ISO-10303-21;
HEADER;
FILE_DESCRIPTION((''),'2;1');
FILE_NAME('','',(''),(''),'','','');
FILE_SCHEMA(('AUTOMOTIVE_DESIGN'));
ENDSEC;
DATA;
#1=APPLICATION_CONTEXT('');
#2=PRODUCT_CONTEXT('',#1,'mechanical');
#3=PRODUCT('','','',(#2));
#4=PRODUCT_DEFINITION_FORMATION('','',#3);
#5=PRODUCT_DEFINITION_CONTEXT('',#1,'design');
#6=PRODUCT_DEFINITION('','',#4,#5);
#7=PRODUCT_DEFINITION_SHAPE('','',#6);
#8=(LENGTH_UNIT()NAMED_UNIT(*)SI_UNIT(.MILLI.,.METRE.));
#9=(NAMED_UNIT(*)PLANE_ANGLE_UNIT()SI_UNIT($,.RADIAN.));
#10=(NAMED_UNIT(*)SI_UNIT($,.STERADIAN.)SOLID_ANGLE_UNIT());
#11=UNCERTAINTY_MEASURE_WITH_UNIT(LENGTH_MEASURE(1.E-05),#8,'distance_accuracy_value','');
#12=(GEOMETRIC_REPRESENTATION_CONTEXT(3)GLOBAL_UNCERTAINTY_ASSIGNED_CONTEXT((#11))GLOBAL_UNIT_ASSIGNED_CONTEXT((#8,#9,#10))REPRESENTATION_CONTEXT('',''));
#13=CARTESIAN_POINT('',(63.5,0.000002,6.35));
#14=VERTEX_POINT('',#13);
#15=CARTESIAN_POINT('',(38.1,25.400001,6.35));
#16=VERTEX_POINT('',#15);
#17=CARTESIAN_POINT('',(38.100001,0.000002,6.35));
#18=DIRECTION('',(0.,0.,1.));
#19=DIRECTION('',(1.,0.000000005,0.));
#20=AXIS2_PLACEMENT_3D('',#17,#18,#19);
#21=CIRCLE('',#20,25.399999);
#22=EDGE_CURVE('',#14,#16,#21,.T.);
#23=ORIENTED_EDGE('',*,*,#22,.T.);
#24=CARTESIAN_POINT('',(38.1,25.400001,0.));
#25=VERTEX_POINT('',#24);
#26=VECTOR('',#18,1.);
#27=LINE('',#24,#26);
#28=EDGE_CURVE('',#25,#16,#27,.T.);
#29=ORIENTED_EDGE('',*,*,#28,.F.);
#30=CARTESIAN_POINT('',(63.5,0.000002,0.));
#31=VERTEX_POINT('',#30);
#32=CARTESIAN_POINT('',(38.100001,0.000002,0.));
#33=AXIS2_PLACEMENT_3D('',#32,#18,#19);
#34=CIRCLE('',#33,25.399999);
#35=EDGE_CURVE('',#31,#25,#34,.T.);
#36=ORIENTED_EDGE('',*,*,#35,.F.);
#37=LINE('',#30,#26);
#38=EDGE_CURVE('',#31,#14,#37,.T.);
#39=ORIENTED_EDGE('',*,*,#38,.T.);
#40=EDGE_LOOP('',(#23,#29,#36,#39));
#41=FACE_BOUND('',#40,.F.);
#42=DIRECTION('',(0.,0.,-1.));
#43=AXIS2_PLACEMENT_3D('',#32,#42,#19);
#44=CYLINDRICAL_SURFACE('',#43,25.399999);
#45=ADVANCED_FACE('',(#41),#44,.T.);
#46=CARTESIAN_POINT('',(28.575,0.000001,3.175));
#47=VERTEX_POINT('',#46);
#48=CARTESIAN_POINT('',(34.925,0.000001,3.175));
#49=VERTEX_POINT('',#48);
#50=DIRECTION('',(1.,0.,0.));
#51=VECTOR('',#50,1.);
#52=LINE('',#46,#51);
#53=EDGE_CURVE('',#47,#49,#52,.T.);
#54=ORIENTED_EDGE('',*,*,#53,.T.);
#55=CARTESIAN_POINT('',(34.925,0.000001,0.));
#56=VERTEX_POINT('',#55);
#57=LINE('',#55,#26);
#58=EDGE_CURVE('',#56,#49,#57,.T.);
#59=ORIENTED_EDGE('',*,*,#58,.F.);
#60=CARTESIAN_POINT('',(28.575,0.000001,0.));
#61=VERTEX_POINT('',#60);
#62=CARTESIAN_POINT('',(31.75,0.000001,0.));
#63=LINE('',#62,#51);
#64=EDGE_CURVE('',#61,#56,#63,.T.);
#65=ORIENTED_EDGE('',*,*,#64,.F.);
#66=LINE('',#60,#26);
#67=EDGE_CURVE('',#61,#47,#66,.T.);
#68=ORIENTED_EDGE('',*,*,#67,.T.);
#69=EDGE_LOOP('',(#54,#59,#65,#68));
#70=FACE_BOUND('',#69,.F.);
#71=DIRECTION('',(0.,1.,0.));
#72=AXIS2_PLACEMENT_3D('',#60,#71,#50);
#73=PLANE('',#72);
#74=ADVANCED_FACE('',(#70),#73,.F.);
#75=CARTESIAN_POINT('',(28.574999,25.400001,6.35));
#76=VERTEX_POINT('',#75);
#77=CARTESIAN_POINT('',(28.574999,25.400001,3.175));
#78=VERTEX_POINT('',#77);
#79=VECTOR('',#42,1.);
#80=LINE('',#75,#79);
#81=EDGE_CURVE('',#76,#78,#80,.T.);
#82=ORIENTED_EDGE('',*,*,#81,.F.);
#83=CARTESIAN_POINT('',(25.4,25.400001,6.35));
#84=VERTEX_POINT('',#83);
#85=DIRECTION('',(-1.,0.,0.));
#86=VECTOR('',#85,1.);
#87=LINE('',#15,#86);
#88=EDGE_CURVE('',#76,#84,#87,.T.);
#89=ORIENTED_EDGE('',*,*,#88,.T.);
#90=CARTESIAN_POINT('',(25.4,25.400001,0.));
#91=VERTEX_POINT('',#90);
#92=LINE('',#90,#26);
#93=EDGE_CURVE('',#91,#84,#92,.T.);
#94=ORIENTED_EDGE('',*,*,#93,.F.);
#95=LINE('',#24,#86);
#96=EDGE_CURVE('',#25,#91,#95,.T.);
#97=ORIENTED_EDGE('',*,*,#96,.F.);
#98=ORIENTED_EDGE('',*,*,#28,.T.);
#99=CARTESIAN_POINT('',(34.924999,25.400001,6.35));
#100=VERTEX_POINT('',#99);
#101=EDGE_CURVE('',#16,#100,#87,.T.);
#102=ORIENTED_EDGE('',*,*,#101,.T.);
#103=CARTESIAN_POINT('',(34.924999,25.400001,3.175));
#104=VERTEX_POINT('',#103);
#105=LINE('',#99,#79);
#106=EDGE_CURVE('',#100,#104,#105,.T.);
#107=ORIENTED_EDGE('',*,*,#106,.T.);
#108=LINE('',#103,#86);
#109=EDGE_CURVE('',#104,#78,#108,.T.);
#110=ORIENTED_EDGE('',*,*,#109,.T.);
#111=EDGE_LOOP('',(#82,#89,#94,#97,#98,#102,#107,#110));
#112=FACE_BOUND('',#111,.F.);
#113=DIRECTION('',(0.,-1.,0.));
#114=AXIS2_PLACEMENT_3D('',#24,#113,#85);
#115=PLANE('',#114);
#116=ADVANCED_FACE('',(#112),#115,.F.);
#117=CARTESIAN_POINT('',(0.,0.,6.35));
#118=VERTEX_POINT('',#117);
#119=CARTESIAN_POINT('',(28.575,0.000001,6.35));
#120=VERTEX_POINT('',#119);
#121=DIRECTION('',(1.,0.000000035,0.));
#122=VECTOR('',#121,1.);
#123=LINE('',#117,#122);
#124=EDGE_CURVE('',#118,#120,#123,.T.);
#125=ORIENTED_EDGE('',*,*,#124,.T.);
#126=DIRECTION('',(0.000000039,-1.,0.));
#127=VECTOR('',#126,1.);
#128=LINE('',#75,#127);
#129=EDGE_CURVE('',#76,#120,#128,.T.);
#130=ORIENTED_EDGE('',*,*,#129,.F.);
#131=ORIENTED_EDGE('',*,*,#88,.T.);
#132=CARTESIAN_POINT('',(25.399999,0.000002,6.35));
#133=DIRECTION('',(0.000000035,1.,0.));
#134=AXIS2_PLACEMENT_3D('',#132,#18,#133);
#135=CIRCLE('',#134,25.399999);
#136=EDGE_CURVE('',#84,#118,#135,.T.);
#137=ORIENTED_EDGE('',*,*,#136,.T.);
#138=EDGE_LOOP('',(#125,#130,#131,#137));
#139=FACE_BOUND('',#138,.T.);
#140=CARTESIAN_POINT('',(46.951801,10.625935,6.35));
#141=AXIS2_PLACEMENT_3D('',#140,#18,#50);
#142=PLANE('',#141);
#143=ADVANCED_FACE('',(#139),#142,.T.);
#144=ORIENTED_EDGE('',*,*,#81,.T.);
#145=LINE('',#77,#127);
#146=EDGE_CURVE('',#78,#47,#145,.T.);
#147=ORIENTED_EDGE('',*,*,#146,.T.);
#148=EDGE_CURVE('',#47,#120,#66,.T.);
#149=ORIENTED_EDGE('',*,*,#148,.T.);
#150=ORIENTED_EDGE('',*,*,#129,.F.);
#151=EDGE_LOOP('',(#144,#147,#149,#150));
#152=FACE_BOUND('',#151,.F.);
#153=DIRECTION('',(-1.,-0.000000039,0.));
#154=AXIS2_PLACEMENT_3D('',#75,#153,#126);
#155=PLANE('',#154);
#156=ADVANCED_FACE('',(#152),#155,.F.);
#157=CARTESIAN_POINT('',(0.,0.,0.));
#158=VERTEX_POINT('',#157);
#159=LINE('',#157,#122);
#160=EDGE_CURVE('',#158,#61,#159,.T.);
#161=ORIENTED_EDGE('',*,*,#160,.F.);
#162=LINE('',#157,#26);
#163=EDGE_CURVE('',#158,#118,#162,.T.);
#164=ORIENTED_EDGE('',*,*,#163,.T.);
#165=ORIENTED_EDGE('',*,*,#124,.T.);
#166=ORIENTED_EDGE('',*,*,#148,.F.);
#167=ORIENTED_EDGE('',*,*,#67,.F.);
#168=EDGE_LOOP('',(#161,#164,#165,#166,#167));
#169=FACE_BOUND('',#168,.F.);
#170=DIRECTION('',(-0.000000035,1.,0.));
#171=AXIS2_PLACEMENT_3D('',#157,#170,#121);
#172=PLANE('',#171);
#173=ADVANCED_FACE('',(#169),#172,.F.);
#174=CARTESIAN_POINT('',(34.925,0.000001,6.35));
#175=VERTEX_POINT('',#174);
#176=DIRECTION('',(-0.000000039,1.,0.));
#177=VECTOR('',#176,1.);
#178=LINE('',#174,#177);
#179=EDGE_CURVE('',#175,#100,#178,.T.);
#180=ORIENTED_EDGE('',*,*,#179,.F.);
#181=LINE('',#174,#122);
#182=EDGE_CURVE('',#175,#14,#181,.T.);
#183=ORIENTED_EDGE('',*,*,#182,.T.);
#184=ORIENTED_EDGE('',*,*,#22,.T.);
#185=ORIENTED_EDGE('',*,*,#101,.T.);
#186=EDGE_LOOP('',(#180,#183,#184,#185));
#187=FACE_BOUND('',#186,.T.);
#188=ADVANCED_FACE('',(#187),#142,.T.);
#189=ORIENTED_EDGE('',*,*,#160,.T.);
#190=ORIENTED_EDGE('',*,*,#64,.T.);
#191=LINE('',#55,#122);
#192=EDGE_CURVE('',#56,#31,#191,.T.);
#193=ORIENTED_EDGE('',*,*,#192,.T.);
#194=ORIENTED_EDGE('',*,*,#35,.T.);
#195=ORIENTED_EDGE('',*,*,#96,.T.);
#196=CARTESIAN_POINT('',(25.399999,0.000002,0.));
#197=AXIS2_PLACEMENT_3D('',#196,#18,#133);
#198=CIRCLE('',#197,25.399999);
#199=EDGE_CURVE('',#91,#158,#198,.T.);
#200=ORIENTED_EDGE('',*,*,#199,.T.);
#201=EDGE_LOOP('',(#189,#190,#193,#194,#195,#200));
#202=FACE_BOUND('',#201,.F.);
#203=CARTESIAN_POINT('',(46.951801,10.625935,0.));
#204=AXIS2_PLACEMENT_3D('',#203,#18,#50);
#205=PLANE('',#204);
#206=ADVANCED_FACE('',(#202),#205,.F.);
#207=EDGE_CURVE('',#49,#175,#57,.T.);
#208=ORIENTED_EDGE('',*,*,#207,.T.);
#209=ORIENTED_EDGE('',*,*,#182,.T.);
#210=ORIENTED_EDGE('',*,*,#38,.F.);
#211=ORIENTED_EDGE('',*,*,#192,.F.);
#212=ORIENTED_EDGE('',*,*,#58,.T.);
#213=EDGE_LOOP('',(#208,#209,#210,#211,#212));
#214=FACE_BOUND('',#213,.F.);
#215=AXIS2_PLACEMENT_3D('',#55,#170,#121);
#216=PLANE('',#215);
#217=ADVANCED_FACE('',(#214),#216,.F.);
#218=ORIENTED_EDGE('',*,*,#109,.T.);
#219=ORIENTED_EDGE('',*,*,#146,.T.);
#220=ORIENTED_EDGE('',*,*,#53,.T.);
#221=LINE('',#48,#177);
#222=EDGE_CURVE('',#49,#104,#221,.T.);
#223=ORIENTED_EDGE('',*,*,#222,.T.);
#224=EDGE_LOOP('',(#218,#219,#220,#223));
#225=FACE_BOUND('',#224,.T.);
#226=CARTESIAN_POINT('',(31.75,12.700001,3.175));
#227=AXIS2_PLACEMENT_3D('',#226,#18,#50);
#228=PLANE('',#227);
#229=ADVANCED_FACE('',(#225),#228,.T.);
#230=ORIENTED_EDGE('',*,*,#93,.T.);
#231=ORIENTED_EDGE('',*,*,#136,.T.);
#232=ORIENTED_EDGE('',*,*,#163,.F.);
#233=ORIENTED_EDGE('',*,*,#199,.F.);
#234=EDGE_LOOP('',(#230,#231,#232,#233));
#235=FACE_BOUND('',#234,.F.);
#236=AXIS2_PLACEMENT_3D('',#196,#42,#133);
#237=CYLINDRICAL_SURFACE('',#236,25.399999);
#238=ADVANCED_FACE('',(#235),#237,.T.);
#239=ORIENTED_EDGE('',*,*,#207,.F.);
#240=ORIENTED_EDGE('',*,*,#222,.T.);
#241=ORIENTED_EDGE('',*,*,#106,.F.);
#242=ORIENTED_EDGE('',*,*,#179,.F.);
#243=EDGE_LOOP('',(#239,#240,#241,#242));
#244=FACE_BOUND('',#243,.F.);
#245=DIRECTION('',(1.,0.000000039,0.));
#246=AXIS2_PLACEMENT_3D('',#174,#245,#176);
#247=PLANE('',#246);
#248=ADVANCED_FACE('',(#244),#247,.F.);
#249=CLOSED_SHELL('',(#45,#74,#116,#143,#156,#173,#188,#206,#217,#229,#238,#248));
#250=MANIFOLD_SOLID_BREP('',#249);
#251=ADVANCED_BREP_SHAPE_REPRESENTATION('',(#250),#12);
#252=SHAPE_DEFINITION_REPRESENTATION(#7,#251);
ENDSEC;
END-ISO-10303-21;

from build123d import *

# Parameters (mm, degrees)
F0_W     = 6.35
F0_H     = 25.4
F1_DEPTH = 6.35
F3_DEPTH = 3.175


with BuildPart() as f1:
    # F0 (on Top) → F1 (new body)
    with BuildSketch(Plane.XY):
        with BuildLine():
            Line((34.925, 25.400001), (34.925, 1e-06))
            Line((34.925, 1e-06), (63.5, 2e-06))
            ThreePointArc((63.5, 2e-06), (56.060512, 17.960514), (38.1, 25.400001))
            Line((38.1, 25.400001), (34.925, 25.400001))
        make_face()
        with BuildLine():
            ThreePointArc((25.4, 25.400001), (7.439487, 17.960513), (0, 0))
            Line((0, 0), (28.575, 1e-06))
            Line((28.575, 1e-06), (28.575, 25.400001))
            Line((28.575, 25.400001), (25.4, 25.400001))
        make_face()
        with Locations((31.75, 12.700001)):
            Rectangle(F0_W, F0_H)
    extrude(amount=F1_DEPTH)

    # F2 (on face) → F3 (cut)
    with BuildSketch(Plane.XY.offset(6.35)):
        Polygon((28.574999, 25.400001), (28.575, 1e-06), (34.925, 1e-06), (34.924999, 25.400001), align=None)
    extrude(amount=-F3_DEPTH, mode=Mode.SUBTRACT)


solid = f1.part
